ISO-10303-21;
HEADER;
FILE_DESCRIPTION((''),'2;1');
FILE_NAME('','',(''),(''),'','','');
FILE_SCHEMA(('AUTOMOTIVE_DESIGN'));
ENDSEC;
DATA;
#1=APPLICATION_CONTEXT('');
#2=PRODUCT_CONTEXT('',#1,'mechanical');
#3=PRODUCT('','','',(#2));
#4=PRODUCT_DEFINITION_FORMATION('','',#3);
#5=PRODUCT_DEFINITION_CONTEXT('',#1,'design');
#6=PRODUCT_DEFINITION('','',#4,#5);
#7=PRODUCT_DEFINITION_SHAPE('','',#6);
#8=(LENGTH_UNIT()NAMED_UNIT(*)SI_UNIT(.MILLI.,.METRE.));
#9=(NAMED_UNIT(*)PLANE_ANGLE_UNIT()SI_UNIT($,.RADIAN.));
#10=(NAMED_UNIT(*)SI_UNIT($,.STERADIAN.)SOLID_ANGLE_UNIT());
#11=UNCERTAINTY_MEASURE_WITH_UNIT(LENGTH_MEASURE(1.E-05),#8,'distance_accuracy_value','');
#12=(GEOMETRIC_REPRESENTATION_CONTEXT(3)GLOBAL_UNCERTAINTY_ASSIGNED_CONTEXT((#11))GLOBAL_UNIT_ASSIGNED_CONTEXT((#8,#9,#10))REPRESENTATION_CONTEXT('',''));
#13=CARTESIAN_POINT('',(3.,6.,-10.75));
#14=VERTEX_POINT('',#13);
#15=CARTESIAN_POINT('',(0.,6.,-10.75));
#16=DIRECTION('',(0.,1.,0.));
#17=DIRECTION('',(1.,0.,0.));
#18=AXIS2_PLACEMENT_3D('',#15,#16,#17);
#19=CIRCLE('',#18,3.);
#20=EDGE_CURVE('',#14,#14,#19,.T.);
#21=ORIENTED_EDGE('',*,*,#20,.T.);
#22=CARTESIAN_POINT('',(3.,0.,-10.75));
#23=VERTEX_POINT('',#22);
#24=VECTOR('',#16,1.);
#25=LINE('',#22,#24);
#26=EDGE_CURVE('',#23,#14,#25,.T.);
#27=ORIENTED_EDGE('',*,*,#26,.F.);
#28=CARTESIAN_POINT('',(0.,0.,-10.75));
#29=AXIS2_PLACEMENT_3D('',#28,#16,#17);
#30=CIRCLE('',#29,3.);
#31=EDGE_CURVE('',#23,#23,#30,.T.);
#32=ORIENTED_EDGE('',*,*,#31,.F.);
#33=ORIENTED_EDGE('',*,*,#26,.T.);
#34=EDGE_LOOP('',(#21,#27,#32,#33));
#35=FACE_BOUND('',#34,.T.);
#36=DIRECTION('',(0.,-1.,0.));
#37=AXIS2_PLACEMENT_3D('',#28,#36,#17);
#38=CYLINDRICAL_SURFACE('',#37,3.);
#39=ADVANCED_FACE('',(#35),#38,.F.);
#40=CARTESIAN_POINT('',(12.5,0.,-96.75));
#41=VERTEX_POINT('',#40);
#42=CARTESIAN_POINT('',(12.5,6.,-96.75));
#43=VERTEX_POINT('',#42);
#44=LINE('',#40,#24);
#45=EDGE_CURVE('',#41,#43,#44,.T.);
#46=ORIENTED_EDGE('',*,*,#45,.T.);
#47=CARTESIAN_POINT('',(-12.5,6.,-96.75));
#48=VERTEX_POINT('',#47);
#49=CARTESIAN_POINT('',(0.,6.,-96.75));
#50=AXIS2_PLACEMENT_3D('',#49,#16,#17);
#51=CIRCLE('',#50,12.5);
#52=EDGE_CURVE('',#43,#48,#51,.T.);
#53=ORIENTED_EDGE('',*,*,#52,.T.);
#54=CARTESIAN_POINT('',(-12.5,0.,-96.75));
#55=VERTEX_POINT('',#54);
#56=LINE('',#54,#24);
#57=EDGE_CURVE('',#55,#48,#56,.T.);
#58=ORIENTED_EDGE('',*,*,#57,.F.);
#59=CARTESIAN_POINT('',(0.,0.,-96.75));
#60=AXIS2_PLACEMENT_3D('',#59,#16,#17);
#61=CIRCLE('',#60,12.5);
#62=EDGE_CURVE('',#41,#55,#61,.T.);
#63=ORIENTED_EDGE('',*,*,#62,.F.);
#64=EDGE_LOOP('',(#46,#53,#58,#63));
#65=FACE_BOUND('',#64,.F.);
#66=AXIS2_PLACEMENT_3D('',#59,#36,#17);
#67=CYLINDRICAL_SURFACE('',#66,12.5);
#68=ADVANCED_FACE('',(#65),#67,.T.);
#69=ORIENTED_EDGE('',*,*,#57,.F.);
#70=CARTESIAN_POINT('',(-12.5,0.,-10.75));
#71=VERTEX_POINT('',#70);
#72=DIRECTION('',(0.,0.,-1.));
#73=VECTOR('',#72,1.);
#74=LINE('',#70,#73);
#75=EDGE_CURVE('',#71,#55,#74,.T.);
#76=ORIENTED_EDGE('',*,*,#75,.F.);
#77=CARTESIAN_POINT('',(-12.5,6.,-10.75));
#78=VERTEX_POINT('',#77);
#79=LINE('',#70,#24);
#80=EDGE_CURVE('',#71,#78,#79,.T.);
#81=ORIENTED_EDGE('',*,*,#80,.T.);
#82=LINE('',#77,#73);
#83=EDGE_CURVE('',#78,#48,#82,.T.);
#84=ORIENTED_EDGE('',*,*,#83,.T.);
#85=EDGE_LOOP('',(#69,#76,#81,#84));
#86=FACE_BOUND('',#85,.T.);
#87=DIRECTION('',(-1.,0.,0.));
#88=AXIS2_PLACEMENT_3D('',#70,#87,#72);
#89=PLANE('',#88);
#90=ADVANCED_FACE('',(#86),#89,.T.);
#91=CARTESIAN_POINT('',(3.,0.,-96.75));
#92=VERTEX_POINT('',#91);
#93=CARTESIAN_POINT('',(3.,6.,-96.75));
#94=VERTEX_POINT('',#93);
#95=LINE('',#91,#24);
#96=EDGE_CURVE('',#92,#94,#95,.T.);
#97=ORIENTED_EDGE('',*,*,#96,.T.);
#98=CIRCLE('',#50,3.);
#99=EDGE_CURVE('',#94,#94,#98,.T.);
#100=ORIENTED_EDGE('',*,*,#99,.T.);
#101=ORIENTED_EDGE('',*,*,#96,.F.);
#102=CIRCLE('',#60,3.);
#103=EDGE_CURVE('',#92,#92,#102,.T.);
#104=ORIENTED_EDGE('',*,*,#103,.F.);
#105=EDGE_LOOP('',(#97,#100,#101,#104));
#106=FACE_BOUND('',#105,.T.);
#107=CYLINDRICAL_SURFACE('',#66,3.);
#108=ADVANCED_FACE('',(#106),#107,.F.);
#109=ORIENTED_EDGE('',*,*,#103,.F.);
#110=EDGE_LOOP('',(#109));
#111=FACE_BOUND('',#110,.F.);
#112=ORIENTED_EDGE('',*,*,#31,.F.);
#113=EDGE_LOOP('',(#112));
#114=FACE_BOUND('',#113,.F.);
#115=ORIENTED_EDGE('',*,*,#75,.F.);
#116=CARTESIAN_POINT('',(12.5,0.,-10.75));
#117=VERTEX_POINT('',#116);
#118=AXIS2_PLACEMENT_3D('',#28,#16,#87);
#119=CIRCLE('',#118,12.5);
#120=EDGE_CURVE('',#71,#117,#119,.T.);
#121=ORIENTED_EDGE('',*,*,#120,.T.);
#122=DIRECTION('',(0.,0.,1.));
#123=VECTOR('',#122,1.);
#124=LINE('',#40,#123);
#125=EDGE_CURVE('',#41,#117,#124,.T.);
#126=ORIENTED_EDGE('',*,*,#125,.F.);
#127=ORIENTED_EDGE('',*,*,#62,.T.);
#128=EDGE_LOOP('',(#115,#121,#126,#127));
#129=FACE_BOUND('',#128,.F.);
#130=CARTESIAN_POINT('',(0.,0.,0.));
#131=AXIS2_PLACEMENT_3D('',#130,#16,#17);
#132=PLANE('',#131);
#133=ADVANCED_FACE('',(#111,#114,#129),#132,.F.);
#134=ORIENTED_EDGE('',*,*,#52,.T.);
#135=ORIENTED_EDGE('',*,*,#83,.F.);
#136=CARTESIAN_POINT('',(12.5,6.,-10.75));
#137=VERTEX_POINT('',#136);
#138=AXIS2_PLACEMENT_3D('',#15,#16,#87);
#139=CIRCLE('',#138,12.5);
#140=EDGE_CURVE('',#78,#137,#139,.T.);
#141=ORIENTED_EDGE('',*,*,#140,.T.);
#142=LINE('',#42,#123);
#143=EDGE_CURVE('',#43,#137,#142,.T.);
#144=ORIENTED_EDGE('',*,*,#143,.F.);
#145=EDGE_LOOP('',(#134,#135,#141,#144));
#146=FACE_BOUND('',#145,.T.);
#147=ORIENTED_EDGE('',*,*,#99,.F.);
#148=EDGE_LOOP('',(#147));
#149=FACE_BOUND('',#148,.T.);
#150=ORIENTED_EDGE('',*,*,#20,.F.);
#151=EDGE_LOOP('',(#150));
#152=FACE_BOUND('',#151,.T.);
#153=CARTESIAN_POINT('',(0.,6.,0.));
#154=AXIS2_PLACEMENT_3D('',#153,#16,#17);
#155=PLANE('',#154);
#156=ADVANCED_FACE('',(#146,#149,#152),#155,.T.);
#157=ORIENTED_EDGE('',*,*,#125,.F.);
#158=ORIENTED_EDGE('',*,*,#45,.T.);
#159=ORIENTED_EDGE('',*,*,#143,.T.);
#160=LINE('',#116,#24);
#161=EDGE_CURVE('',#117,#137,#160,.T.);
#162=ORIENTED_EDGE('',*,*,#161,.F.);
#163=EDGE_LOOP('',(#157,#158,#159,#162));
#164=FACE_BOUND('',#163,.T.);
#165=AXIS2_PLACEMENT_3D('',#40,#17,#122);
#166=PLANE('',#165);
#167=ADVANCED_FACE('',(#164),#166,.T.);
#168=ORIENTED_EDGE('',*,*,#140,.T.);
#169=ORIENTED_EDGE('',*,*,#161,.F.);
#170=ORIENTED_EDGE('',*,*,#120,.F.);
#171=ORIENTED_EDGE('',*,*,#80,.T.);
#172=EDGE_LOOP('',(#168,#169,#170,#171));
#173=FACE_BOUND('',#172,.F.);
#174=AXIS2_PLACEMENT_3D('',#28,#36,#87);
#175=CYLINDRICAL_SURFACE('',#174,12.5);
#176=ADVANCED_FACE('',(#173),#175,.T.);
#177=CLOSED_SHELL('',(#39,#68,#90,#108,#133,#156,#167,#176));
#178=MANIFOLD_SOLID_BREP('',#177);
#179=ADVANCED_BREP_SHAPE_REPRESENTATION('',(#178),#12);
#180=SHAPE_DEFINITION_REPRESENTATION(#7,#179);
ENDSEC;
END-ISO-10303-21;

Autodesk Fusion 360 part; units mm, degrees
sketch "Sketch1" plane through (0, 0, 0) normal (0, 1, 0) x (1, 0, 0)
  arc A0 (12.5, 96.75) -> (-12.5, 96.75) centre (0, 96.75) ccw
  line L0 (12.5, 96.75) -> (12.5, 10.75)
  arc A1 (-12.5, 10.75) -> (12.5, 10.75) centre (0, 10.75) ccw
  circle A2 centre (0, 96.75) radius 3
  circle A3 centre (0, 10.75) radius 3
  line L1 (-12.5, 10.75) -> (-12.5, 96.75)
extrude "Extrude1" add sketch "Sketch1" along normal blind 6
